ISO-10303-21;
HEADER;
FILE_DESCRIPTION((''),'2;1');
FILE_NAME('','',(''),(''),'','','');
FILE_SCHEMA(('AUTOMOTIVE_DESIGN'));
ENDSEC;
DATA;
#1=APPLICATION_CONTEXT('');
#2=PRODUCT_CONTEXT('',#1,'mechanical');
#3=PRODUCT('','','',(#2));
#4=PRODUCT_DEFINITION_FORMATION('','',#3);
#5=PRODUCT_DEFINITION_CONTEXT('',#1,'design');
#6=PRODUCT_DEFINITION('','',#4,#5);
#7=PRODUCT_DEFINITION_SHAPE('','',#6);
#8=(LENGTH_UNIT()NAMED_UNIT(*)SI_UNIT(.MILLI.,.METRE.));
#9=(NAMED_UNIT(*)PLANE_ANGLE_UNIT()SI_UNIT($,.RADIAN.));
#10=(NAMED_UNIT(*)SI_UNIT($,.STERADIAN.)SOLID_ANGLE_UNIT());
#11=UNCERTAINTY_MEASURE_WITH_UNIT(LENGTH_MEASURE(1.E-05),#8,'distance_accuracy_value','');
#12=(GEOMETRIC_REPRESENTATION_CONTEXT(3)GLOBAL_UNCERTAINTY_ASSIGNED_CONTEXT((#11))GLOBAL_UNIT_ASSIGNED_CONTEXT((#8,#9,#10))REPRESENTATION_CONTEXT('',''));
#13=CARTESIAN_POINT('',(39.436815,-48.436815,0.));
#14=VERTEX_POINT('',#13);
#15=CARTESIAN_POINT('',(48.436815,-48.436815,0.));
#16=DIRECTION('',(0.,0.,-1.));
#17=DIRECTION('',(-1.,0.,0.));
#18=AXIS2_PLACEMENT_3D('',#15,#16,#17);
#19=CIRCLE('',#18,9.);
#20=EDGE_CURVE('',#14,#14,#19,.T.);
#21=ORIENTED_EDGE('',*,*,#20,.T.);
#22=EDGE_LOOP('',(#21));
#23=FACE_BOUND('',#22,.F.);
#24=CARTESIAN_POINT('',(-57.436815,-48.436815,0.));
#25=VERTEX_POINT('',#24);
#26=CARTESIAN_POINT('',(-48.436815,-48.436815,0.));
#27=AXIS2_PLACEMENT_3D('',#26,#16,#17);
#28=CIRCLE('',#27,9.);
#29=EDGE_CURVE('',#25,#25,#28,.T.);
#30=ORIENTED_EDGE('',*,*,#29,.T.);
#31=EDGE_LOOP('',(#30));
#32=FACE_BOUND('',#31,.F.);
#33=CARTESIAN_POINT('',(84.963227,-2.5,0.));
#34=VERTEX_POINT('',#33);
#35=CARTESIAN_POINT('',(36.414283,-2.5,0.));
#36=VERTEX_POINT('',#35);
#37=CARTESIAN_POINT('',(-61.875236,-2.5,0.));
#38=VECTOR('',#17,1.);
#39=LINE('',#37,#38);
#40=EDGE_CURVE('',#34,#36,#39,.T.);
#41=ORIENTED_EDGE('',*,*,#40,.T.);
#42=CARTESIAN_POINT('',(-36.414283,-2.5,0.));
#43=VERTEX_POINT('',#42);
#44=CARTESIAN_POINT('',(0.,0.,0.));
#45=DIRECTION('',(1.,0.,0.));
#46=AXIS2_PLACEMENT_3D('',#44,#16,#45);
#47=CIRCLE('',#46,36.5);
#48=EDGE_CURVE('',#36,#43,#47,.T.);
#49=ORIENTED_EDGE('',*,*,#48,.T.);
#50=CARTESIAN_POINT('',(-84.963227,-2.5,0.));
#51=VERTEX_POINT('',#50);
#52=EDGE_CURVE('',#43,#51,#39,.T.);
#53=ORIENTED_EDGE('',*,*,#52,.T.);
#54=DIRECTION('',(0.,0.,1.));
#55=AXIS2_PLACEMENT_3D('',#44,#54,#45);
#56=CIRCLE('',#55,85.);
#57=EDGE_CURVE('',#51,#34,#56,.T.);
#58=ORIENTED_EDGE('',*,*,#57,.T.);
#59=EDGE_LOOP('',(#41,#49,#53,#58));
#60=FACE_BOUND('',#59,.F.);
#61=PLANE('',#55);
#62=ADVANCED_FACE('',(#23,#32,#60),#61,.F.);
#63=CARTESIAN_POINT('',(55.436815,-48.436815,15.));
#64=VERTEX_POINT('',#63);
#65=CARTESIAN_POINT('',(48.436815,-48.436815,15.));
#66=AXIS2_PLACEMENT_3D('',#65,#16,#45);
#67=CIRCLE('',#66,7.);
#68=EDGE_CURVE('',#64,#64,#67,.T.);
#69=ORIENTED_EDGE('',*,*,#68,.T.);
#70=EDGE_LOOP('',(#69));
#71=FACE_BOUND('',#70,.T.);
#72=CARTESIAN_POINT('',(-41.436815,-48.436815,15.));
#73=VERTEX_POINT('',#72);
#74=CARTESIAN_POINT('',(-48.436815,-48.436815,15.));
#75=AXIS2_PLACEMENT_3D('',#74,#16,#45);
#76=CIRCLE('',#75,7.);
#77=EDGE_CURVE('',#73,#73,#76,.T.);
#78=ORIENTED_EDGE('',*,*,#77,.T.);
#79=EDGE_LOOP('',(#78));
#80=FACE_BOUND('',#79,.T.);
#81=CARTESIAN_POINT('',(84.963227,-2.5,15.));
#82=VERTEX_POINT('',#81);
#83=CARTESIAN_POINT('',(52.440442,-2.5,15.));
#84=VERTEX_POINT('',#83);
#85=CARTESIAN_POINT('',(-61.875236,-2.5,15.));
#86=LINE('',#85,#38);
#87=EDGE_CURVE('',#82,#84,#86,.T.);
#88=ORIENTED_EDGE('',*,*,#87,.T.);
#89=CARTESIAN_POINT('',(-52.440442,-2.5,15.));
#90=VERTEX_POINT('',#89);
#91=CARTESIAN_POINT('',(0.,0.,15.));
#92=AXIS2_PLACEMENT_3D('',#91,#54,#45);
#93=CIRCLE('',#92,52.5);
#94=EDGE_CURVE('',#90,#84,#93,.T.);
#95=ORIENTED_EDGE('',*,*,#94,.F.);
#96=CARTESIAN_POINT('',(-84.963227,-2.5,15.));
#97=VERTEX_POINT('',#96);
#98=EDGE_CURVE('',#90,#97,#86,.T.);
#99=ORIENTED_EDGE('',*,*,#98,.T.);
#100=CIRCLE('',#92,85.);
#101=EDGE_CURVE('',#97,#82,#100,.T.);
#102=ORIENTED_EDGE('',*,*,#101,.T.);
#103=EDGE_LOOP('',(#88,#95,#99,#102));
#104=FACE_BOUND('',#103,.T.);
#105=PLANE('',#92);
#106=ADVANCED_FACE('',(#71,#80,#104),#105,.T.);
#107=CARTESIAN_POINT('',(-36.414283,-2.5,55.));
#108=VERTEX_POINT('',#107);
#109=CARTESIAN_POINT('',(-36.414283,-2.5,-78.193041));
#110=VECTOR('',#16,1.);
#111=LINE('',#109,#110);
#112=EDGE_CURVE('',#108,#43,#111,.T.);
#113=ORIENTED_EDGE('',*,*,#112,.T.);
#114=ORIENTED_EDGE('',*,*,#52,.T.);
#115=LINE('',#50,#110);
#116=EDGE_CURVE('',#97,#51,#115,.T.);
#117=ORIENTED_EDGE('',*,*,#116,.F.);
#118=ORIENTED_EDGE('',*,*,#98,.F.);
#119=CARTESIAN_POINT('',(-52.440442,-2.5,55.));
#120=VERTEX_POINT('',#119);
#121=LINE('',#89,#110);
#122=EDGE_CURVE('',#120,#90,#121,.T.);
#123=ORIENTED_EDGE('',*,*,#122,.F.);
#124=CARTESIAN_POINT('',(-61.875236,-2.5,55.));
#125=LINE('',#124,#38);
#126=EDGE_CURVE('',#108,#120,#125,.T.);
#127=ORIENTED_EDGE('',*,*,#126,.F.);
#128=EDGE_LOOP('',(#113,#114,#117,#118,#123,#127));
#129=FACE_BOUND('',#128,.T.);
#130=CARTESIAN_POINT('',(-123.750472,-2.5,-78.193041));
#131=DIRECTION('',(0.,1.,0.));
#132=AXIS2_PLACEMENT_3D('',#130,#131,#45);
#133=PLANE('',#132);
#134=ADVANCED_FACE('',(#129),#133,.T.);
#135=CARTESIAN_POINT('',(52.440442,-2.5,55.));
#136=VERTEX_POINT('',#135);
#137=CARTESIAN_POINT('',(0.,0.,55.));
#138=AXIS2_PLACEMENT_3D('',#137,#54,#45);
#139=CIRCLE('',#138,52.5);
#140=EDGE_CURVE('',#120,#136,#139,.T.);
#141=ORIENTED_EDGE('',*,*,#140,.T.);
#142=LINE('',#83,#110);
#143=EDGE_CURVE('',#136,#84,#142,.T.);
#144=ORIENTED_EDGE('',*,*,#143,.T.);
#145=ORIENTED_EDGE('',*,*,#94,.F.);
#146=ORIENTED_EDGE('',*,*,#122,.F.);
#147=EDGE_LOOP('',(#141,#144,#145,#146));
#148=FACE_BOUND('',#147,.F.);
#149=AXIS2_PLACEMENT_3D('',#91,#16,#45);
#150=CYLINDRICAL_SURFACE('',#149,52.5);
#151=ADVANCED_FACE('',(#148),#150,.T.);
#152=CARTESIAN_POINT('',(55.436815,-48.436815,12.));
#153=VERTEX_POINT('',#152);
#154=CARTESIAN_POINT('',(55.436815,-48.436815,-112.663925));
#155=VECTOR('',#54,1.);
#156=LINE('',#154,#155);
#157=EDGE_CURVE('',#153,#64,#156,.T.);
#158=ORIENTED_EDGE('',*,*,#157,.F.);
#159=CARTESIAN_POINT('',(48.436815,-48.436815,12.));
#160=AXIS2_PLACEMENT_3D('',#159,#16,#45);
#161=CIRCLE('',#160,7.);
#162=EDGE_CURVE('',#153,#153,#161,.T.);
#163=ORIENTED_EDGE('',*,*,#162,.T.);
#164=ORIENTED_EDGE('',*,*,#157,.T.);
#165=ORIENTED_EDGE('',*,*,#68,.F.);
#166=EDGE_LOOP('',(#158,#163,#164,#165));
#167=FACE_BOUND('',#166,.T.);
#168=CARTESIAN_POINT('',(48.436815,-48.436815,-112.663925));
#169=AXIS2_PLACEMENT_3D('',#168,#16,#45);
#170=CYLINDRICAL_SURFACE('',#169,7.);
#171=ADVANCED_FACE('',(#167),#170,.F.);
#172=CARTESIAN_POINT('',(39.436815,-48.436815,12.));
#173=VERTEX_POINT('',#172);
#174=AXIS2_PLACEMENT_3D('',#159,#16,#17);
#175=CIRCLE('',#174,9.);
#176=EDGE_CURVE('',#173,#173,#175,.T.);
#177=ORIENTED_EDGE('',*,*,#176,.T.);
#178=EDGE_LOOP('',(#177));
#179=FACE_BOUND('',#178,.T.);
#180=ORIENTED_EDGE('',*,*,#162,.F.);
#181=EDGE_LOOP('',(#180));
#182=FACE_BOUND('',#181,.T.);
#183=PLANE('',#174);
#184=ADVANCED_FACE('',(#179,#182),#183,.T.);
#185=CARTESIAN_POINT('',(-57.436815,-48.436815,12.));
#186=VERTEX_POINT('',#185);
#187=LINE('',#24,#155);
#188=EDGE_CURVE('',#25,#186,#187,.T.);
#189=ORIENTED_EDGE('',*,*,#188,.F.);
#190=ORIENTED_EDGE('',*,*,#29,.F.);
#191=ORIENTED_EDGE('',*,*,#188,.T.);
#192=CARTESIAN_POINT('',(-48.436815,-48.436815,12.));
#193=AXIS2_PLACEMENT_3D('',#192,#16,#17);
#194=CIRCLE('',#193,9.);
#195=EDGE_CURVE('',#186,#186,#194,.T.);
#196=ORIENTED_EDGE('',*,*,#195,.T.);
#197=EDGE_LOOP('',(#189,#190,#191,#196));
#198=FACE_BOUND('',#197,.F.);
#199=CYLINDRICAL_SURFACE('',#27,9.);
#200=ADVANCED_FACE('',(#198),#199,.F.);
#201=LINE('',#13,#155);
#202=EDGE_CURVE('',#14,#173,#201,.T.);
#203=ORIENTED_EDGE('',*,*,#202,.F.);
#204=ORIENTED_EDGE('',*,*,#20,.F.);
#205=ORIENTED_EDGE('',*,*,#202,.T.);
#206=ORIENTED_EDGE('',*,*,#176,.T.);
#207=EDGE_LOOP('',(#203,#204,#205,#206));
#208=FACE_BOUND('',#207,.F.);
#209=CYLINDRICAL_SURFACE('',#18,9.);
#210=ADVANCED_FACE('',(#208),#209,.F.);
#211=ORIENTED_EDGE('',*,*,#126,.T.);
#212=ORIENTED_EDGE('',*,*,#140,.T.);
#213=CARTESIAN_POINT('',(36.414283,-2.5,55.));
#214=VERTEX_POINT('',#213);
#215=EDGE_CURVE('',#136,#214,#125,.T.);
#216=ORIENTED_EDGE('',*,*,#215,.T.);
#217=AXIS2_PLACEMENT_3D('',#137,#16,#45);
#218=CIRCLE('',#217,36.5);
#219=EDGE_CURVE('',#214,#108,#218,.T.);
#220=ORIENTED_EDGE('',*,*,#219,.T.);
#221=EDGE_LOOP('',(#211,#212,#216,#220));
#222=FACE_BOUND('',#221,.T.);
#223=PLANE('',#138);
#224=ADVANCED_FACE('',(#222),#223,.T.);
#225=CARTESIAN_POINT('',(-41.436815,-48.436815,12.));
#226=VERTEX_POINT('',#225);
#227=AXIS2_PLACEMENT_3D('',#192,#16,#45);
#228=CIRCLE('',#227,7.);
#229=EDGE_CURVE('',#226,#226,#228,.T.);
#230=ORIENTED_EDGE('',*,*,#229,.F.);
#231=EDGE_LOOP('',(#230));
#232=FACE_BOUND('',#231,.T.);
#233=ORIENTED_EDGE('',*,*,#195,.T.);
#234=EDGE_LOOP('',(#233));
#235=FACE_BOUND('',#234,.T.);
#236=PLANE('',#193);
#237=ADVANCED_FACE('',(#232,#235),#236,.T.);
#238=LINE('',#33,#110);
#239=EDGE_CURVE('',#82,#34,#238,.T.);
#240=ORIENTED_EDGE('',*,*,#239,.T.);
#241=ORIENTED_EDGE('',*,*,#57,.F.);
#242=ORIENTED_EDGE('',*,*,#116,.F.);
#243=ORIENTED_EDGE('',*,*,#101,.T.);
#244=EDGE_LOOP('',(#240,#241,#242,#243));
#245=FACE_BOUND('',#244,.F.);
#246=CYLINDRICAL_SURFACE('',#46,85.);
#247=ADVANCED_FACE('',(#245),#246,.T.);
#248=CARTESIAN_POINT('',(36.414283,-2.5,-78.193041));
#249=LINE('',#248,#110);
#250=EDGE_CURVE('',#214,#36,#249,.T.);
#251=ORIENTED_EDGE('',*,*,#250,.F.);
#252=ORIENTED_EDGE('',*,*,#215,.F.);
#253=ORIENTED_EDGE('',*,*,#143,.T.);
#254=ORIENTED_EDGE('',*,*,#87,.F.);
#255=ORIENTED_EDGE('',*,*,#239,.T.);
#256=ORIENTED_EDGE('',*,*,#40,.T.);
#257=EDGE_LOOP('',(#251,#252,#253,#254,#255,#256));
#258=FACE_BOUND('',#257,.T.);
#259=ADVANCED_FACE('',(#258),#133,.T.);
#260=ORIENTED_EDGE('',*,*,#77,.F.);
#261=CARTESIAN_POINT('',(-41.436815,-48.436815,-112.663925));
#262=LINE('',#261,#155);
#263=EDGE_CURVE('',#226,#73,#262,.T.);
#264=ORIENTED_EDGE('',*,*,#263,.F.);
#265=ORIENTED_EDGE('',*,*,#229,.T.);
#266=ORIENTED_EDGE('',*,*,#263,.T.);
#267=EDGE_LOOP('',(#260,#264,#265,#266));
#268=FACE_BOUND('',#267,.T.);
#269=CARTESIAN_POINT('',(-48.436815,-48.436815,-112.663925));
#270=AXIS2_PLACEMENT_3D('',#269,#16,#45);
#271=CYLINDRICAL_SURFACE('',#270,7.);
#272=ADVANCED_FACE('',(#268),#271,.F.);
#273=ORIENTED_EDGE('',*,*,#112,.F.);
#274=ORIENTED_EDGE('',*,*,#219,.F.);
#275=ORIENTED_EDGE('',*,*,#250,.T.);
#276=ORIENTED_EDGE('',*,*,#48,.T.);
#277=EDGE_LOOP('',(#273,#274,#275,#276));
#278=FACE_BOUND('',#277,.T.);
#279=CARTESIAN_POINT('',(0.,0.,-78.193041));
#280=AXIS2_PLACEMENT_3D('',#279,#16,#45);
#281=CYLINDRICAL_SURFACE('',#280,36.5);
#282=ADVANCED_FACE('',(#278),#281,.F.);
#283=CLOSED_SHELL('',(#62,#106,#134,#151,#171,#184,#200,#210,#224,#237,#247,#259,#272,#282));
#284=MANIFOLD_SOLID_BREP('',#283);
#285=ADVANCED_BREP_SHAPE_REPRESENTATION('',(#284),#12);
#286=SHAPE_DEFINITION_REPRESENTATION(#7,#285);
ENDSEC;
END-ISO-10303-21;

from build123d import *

# Parameters (mm, degrees)
SKETCH1_R               = 85
BOSS_EXTRUDE1_DEPTH     = 15
SKETCH2_R               = 52.5
BOSS_EXTRUDE2_DEPTH     = 40
CUT_EXTRUDE1_DEPTH      = 133.193040664
CUT_EXTRUDE1_DEPTH_BACK = 133.193040664
SKETCH3_R               = 36.5
CUT_EXTRUDE2_DEPTH      = 133.193040664
CUT_EXTRUDE2_DEPTH_BACK = 133.193040664
SKETCH4_W               = 179.422325272
SKETCH4_H               = 89.951571234
CUT_EXTRUDE3_DEPTH      = 133.193040664
CUT_EXTRUDE3_DEPTH_BACK = 133.193040664
SKETCH5_W               = 208.750471757
SKETCH5_H               = 2.5
CUT_EXTRUDE4_DEPTH      = 127.663925409
CUT_EXTRUDE4_DEPTH_BACK = 127.663925409
SKETCH6_R               = 7
SKETCH8_R               = 9
CUT_EXTRUDE5_DEPTH      = 12


with BuildPart() as part:
    # Sketch1 → Boss-Extrude1 (new body)
    with BuildSketch(Plane.XY):
        Circle(SKETCH1_R)
    extrude(amount=BOSS_EXTRUDE1_DEPTH)

    # Sketch2 → Boss-Extrude2 (add)
    with BuildSketch(Plane.XY.offset(15)):
        Circle(SKETCH2_R)
    extrude(amount=BOSS_EXTRUDE2_DEPTH)

    # Sketch3 → Cut-Extrude1 (cut, two sides: drawn at the far end of the back side and taken through both)
    with BuildSketch(Plane.XY.offset(55).offset(-CUT_EXTRUDE1_DEPTH_BACK)):
        Circle(SKETCH3_R)
    extrude(amount=CUT_EXTRUDE1_DEPTH + CUT_EXTRUDE1_DEPTH_BACK, mode=Mode.SUBTRACT)

    # Sketch4 → Cut-Extrude2 (cut, two sides: drawn at the far end of the back side and taken through both)
    with BuildSketch(Plane.XY.offset(55).offset(-CUT_EXTRUDE2_DEPTH_BACK)):
        with Locations((-4.711162636, 44.975785617)):
            Rectangle(SKETCH4_W, SKETCH4_H)
    extrude(amount=CUT_EXTRUDE2_DEPTH + CUT_EXTRUDE2_DEPTH_BACK, mode=Mode.SUBTRACT)

    # Sketch5 → Cut-Extrude3 (cut, two sides: drawn at the far end of the back side and taken through both)
    with BuildSketch(Plane.XY.offset(55).offset(-CUT_EXTRUDE3_DEPTH_BACK)):
        with Locations((-19.375235879, -1.25)):
            Rectangle(SKETCH5_W, SKETCH5_H)
    extrude(amount=CUT_EXTRUDE3_DEPTH + CUT_EXTRUDE3_DEPTH_BACK, mode=Mode.SUBTRACT)

    # Sketch6 → Cut-Extrude4 (cut, two sides: drawn at the far end of the back side and taken through both)
    with BuildSketch(Plane.XY.offset(15).offset(-CUT_EXTRUDE4_DEPTH_BACK)):
        with Locations((48.436814511, -48.436814511)):
            Circle(SKETCH6_R)
        with Locations((-48.436814511, -48.436814511)):
            Circle(SKETCH6_R)
    extrude(amount=CUT_EXTRUDE4_DEPTH + CUT_EXTRUDE4_DEPTH_BACK, mode=Mode.SUBTRACT)

    # Sketch8 → Cut-Extrude5 (cut)
    with BuildSketch(Plane(origin=(0, 0, 0), x_dir=(-1, 0, 0), z_dir=(0, 0, -1))):
        with Locations((-48.436814511, -48.436814511)):
            Circle(SKETCH8_R)
        with Locations((48.436814511, -48.436814511)):
            Circle(SKETCH8_R)
    extrude(amount=-CUT_EXTRUDE5_DEPTH, mode=Mode.SUBTRACT)


solid = part.part
